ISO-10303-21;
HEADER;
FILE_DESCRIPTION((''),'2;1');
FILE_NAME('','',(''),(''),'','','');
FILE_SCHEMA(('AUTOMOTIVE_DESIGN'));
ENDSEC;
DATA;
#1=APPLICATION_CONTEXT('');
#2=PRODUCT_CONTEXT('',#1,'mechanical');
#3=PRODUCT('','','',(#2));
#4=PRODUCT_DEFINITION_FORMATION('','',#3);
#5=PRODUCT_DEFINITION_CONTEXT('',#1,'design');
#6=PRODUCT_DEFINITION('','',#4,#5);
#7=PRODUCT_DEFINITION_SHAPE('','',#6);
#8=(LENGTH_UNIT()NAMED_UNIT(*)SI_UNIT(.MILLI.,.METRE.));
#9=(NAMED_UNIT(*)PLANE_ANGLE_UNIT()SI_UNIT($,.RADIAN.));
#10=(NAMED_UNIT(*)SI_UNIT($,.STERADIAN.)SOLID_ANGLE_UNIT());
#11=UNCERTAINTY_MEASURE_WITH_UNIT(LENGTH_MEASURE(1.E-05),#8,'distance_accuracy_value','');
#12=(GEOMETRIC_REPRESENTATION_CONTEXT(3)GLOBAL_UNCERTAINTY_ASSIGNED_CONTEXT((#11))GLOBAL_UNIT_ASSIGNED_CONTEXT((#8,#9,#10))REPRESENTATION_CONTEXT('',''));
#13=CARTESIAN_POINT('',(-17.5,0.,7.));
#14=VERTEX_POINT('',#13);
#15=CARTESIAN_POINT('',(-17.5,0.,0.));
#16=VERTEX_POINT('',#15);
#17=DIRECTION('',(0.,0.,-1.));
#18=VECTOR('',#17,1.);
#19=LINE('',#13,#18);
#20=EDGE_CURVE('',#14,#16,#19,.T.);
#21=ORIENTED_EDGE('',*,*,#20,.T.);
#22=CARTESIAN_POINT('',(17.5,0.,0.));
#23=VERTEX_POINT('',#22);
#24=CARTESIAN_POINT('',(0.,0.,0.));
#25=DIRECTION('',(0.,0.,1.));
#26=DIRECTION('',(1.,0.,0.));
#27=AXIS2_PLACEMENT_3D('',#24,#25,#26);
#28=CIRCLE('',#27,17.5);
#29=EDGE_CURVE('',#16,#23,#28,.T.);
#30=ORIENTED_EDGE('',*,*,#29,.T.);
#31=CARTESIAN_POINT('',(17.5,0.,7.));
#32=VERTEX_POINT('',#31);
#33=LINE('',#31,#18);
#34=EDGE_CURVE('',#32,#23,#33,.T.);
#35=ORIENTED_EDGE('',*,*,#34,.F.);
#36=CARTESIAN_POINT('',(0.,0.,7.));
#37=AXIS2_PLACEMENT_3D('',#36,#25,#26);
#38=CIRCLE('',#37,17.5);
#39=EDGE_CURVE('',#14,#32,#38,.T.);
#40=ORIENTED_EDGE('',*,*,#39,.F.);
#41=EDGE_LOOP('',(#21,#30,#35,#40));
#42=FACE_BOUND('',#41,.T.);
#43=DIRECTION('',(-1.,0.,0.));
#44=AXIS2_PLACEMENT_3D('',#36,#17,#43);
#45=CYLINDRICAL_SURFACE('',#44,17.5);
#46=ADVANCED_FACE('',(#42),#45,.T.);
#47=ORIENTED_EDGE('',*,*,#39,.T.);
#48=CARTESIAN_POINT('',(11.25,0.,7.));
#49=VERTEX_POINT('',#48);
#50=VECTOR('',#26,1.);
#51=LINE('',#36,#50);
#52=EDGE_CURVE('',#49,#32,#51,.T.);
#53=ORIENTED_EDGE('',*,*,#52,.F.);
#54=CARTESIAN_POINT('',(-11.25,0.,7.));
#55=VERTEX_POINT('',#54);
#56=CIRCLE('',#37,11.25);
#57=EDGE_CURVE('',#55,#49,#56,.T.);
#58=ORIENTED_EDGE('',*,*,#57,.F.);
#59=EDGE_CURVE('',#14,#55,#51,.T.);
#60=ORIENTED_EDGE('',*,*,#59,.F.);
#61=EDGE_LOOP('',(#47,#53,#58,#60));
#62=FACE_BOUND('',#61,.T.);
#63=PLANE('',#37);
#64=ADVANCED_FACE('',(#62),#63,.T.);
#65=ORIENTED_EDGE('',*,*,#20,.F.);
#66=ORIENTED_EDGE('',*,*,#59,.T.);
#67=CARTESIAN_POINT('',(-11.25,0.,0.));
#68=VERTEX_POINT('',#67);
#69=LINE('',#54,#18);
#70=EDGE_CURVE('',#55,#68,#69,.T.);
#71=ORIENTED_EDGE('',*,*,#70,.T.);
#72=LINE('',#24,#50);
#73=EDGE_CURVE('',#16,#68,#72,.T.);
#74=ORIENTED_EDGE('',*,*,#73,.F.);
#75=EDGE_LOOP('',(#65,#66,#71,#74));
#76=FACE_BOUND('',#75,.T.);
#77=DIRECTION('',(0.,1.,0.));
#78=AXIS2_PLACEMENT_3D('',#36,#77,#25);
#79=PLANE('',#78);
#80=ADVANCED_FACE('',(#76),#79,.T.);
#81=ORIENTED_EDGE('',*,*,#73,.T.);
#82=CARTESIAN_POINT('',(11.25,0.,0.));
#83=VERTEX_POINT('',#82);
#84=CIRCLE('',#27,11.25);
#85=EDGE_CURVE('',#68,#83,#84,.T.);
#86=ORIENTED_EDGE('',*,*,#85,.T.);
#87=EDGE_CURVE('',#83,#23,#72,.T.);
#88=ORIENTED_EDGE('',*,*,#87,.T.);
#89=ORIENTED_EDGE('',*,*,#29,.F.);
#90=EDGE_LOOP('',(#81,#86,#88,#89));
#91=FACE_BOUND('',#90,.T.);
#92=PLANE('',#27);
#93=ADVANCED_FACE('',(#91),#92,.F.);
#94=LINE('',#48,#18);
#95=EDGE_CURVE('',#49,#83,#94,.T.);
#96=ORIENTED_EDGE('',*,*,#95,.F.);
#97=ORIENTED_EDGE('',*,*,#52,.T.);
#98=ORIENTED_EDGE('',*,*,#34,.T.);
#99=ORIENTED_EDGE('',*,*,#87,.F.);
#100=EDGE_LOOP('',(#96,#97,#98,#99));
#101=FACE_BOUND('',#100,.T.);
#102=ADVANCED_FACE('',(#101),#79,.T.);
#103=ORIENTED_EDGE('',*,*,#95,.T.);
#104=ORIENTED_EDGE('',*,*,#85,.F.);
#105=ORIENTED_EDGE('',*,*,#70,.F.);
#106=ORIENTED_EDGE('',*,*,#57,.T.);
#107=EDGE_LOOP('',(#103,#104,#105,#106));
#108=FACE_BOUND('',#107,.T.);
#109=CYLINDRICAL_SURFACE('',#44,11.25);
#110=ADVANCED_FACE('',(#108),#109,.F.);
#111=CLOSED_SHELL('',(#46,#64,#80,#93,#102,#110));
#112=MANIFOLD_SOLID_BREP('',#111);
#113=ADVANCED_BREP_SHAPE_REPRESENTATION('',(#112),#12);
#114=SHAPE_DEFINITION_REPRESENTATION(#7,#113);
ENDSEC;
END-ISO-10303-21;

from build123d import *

# Parameters (mm, degrees)
EXTRUDE_1_DEPTH = 7


with BuildPart() as part:
    # 스케치1 → 보스-돌출1 (new body)
    with BuildSketch(Plane.XY):
        with BuildLine():
            Line((-11.25, 0), (-17.5, 0))
            ThreePointArc((-17.5, 0), (0, -17.5), (17.5, 0))
            Line((17.5, 0), (11.25, 0))
            ThreePointArc((11.25, 0), (0, -11.25), (-11.25, 0))
        make_face()
    extrude(amount=EXTRUDE_1_DEPTH)


solid = part.part
